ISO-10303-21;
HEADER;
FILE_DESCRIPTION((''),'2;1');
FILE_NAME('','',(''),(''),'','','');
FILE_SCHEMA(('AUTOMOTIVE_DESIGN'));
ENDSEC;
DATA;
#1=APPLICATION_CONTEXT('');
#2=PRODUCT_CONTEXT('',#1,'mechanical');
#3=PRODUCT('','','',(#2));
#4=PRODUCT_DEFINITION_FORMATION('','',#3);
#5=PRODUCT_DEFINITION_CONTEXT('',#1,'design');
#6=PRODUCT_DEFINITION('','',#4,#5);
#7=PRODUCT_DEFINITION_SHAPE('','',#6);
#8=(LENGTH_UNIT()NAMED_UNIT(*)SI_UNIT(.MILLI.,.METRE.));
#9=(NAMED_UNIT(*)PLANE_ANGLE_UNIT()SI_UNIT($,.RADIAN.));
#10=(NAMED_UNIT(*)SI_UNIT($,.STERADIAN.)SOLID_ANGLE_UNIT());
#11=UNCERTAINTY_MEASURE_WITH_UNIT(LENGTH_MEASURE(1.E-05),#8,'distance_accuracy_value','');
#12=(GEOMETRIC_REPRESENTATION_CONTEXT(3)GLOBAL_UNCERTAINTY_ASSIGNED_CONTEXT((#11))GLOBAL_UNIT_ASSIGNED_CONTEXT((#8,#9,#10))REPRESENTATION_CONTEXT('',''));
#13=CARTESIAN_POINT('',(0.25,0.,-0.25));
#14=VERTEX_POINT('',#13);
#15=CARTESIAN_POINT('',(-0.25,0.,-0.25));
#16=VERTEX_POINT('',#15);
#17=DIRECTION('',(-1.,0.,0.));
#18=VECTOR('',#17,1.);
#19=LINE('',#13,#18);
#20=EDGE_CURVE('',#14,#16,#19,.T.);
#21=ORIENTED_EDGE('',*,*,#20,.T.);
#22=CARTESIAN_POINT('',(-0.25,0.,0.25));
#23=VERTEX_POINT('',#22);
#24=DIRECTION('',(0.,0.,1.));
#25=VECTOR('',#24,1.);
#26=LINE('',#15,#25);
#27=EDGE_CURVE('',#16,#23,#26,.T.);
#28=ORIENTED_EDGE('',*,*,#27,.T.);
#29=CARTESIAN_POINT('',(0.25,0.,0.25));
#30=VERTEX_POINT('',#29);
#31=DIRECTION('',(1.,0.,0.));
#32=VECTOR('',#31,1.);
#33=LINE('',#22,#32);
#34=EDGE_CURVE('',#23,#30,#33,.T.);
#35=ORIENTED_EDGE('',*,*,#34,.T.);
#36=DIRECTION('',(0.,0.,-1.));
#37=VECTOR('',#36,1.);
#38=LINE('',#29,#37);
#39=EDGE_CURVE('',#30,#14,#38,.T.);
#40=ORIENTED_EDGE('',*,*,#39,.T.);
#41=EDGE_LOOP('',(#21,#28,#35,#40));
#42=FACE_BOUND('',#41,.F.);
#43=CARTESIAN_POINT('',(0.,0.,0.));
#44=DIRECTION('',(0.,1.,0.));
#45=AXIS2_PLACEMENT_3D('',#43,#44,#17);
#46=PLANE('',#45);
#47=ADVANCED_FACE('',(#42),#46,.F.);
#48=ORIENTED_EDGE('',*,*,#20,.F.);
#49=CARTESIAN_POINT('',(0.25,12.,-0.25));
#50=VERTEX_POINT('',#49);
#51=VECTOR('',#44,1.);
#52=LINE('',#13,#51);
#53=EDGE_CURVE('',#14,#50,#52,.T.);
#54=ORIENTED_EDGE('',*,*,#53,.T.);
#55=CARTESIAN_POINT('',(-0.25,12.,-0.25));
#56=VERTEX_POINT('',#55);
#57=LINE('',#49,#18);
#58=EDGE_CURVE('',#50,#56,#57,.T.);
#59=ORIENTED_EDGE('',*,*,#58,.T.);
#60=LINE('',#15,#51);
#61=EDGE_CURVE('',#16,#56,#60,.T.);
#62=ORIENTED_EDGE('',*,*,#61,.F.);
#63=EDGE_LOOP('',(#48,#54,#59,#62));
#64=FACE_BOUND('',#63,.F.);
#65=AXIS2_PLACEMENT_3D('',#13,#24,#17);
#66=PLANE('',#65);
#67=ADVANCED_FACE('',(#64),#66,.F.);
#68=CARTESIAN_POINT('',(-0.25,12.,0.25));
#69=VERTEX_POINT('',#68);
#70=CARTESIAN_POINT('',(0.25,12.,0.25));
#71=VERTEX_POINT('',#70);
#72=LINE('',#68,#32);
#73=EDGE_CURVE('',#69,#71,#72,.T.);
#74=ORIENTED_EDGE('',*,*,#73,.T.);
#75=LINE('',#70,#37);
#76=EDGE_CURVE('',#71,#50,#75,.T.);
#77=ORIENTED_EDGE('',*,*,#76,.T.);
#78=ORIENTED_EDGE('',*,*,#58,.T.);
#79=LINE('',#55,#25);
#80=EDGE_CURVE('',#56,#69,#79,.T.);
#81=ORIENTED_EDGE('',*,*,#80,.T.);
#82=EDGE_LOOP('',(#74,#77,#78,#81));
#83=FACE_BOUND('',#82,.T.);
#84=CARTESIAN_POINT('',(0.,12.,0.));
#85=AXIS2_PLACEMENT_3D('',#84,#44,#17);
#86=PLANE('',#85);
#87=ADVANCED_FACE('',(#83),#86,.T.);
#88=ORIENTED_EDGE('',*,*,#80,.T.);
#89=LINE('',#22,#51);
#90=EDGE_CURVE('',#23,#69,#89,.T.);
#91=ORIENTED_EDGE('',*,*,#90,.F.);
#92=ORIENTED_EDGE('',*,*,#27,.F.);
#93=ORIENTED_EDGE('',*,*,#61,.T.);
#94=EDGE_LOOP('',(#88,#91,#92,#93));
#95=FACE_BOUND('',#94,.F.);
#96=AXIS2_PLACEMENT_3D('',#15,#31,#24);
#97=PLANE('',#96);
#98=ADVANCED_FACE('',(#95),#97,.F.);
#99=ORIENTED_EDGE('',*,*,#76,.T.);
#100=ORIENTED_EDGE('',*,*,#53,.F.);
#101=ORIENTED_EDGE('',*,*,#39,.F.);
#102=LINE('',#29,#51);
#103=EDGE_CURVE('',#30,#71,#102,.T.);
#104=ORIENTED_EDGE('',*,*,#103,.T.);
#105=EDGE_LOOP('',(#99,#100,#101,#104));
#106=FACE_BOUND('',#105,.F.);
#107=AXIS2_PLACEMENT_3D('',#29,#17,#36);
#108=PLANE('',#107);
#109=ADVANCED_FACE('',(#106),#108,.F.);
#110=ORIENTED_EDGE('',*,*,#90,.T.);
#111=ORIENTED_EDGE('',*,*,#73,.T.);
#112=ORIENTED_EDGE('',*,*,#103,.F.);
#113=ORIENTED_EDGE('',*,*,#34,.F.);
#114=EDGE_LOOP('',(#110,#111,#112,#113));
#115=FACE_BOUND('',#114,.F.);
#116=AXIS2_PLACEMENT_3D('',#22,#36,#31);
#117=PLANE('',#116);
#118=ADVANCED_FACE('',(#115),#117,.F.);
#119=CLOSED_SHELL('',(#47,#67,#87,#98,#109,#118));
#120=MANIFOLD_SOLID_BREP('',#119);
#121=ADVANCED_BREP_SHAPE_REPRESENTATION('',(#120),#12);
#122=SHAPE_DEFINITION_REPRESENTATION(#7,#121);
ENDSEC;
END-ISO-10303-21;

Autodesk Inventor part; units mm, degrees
ref_plane "YZ Plane" through (0, 0, 0) normal (1, 0, 0) x (0, 1, 0)
ref_plane "XZ Plane" through (0, 0, 0) normal (0, 1, 0) x (-1, 0, 0)
ref_plane "XY Plane" through (0, 0, 0) normal (0, 0, 1) x (1, 0, 0)
sketch "Sketch1" plane through (0, 0, 0) normal (0, 1, 0) x (-1, 0, 0)
  line L0 (0.25, 0.25) -> (-0.25, 0.25)
  line L1 (-0.25, 0.25) -> (-0.25, -0.25)
  line L2 (-0.25, -0.25) -> (0.25, -0.25)
  line L3 (0.25, -0.25) -> (0.25, 0.25)
  line L4 (0.25, 0.25) -> (-0.25, -0.25) construction
  line L5 (-0.25, 0.25) -> (0.25, -0.25) construction
  point P0 (0, 0)
  dimension "d0" = 0.5
  dimension "d1" = 0.5
extrude "Extrusion1" add sketch "Sketch1" along normal blind 12
properties part number "led-wire-long"
